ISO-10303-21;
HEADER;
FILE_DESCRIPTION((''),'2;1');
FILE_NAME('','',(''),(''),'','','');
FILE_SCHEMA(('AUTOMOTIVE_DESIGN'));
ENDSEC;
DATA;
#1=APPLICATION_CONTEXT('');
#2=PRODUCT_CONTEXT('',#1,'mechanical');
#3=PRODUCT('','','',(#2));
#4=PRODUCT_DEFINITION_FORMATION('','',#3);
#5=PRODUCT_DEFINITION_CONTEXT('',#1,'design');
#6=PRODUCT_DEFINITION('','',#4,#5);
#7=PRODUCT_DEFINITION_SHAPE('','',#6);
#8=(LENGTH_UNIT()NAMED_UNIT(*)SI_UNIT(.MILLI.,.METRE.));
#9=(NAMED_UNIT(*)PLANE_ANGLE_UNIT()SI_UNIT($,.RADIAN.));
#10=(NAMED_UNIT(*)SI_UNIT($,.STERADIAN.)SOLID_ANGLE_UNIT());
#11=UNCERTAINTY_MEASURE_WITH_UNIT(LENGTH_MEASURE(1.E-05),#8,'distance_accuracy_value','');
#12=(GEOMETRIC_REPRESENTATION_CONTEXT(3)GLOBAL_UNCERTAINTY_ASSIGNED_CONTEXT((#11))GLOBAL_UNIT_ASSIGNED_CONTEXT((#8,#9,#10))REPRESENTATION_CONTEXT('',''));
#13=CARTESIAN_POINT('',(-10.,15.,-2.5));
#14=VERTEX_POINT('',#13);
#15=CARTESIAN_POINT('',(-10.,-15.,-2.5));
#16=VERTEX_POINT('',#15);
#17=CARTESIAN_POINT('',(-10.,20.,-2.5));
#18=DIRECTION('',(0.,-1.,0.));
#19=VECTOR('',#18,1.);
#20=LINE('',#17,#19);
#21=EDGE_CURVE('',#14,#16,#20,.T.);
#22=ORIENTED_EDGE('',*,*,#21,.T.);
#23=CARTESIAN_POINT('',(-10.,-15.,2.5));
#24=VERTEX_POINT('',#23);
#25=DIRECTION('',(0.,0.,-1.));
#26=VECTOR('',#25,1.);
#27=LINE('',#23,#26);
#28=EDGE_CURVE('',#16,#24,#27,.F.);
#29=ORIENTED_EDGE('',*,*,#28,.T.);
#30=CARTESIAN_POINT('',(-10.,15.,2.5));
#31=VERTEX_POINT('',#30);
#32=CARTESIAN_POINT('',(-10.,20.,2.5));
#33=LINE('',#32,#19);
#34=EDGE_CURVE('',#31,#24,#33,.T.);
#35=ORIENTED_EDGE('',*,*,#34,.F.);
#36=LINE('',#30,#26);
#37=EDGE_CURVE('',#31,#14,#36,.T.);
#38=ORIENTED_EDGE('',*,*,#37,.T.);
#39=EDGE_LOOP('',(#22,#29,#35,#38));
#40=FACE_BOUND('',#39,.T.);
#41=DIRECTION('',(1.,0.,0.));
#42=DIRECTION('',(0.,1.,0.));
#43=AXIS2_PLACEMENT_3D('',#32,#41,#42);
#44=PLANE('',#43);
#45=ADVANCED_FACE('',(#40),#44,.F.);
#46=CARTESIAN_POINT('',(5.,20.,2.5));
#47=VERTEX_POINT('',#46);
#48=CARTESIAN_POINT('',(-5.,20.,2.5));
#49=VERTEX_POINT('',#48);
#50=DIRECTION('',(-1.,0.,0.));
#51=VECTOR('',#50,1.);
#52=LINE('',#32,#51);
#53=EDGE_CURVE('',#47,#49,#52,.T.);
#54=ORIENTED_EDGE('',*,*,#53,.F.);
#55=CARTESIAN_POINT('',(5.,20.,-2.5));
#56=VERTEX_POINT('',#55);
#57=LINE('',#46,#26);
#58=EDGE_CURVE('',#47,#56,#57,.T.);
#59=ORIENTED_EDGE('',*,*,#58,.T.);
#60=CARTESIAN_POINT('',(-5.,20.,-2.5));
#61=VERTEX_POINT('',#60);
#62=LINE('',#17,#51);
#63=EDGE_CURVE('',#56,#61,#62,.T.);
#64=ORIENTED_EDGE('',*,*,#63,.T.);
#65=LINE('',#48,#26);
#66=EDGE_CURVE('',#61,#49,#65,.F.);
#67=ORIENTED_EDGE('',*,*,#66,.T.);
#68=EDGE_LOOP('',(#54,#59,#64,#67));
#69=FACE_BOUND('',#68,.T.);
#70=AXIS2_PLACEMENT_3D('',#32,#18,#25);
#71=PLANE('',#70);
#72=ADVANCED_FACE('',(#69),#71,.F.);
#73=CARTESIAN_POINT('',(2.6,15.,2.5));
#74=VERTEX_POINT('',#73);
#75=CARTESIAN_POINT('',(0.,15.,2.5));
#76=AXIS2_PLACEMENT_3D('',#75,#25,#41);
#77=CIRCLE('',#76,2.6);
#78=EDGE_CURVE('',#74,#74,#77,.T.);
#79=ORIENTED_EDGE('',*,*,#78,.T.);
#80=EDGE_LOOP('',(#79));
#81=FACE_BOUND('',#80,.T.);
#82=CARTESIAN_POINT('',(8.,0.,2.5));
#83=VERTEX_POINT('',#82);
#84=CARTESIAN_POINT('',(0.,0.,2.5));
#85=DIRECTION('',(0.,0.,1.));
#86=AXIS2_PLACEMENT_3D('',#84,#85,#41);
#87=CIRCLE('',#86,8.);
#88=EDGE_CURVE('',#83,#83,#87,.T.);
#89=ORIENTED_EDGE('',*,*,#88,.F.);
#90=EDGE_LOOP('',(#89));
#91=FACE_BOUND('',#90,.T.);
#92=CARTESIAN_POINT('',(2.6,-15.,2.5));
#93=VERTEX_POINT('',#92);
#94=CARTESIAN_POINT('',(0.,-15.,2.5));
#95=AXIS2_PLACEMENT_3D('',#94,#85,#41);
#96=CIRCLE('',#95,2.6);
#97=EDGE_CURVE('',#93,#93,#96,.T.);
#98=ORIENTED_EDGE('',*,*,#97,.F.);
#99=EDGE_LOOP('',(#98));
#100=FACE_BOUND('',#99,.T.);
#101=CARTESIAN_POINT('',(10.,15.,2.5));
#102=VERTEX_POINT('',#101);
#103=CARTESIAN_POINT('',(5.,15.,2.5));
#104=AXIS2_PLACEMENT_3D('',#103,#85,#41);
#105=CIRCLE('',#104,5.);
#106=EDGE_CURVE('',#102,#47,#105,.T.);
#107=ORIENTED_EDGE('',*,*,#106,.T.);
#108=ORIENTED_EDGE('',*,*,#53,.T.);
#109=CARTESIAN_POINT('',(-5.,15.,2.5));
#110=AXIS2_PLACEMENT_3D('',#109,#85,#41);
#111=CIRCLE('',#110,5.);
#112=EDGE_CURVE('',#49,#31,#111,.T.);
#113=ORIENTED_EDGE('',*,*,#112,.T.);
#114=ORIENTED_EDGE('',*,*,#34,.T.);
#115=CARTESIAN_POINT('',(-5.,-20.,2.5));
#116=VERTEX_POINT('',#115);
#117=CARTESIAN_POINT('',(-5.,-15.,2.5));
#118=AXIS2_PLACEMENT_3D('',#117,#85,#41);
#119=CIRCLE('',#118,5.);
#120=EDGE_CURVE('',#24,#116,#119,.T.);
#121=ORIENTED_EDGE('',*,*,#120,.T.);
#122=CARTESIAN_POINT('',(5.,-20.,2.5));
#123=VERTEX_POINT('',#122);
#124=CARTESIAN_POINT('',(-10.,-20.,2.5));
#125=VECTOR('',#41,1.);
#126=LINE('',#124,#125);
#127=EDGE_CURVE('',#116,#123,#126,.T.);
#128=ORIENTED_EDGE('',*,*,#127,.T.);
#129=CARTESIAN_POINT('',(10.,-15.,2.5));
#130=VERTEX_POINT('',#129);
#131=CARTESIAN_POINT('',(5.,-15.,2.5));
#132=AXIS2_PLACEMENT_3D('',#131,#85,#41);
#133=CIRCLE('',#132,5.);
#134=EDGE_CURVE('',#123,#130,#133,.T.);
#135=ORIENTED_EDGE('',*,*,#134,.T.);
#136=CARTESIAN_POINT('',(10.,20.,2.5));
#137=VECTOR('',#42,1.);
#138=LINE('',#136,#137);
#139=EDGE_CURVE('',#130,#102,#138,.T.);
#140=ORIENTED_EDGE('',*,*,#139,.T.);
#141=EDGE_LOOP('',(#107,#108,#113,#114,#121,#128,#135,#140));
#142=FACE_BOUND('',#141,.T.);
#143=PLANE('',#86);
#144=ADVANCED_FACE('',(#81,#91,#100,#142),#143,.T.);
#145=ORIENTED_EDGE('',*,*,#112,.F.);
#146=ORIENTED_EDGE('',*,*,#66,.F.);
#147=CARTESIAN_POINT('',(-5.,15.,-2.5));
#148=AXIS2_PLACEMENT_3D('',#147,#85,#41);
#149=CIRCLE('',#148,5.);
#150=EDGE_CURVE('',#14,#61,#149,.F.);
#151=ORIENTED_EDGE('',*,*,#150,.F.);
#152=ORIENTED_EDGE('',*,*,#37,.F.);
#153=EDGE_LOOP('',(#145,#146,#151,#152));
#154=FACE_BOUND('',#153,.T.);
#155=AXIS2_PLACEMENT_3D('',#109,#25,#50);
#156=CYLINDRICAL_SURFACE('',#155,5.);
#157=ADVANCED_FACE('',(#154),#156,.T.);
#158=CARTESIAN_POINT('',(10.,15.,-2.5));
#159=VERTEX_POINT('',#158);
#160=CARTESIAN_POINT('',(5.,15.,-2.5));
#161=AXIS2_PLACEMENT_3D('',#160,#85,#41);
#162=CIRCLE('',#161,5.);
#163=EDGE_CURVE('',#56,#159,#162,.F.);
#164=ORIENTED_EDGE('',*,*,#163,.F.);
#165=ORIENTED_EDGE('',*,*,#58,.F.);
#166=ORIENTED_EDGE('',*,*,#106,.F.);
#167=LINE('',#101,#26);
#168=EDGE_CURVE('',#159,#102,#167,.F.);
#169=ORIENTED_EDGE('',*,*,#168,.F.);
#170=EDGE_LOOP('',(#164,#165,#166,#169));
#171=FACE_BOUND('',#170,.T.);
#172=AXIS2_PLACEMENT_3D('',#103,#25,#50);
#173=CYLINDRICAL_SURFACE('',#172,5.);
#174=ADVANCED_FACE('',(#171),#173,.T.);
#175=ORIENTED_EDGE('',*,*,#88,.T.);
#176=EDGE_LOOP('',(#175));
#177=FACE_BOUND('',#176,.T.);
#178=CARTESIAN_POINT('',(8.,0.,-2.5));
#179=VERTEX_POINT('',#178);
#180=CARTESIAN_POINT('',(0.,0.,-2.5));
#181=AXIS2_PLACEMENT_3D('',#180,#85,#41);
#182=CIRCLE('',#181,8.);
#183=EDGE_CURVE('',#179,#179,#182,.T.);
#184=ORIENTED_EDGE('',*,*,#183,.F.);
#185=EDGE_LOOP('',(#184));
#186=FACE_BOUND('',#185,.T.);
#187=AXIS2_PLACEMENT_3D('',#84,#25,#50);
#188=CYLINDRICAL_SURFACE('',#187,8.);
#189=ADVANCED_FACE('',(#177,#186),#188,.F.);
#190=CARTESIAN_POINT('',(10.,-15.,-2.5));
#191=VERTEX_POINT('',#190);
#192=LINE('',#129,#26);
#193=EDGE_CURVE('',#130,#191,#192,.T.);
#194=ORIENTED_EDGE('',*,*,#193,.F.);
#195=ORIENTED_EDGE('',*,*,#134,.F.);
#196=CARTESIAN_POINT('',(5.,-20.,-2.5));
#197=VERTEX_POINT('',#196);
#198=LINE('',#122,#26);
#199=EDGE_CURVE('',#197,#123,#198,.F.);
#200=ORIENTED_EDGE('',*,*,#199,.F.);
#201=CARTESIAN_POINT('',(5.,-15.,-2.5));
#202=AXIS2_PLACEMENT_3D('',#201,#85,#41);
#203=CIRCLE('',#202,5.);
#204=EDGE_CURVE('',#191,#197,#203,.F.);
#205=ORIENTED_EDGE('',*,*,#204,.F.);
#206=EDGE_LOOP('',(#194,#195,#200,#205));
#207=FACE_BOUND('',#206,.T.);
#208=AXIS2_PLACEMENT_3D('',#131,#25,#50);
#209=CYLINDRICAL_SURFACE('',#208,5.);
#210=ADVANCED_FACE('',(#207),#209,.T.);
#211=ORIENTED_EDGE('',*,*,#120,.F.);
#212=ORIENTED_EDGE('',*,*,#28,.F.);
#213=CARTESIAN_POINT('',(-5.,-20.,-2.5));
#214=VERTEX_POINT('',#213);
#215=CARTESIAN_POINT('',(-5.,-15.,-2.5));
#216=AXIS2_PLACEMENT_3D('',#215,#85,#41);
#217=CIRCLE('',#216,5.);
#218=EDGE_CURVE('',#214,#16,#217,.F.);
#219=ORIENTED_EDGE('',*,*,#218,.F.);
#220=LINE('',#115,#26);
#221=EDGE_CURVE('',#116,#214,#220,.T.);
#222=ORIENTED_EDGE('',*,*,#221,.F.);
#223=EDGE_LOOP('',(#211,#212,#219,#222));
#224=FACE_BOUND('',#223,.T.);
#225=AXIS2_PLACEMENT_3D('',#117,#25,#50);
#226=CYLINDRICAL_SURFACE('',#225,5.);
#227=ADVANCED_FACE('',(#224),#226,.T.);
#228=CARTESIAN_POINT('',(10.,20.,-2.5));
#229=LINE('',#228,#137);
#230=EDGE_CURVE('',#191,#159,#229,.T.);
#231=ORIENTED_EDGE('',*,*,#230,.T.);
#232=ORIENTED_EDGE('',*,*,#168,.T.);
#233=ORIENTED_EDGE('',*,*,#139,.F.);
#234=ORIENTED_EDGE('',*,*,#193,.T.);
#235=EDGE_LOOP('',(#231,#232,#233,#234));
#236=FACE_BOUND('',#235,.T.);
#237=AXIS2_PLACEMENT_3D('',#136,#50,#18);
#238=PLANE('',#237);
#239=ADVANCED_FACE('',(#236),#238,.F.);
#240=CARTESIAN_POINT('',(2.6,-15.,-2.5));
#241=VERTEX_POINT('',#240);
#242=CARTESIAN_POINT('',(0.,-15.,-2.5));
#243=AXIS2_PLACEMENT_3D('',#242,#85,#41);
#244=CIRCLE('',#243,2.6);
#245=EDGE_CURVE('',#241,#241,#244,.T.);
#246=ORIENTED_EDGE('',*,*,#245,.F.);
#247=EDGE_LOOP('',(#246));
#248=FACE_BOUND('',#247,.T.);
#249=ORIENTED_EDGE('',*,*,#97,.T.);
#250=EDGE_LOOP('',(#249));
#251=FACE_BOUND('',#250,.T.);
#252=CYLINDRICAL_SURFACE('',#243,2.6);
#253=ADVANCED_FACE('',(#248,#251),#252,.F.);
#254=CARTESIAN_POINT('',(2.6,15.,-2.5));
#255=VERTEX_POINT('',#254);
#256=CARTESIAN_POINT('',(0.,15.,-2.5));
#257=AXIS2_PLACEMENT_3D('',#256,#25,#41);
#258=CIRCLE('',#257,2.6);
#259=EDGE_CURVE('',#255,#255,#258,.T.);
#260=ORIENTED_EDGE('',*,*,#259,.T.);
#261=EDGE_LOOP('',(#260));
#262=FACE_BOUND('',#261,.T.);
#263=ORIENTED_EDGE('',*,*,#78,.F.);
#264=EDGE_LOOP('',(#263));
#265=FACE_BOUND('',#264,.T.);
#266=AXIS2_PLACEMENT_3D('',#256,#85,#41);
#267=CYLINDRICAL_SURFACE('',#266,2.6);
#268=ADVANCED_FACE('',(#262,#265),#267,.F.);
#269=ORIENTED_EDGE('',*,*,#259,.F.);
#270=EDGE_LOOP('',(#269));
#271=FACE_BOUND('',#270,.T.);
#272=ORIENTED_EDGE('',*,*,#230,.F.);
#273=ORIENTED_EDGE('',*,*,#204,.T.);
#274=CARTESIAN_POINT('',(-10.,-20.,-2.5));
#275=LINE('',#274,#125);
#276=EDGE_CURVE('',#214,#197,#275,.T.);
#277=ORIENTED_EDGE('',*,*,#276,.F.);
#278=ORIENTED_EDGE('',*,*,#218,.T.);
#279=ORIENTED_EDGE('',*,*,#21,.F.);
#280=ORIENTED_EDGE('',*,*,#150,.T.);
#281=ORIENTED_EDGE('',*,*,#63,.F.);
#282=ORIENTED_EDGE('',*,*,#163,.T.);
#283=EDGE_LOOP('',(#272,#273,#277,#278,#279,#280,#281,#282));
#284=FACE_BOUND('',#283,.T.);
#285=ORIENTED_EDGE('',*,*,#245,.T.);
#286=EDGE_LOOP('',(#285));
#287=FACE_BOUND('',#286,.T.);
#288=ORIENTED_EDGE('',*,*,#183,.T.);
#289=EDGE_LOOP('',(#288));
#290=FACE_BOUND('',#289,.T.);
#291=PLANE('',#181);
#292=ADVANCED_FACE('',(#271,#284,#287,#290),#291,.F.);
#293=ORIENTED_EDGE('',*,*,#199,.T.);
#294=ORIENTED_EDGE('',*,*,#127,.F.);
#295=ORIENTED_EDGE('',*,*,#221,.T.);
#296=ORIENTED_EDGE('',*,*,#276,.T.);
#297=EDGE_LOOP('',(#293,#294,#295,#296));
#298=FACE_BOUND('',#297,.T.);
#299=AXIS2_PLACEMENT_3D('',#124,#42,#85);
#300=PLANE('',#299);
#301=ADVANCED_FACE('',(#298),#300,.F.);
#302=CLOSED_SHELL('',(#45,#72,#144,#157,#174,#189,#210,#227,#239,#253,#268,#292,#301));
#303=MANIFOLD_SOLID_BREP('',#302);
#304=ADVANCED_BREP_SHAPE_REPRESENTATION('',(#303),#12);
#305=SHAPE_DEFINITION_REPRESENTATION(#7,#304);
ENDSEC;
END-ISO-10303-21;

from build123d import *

# Parameters (mm, degrees)
ESBO_O1_W                = 20
ESBO_O1_H                = 40
ESBO_O1_R                = 8
RESSALTO_EXTRUS_O1_DEPTH = 2.5
ESBO_O2_R                = 2.6
CORTE_EXTRUS_O1_DEPTH    = 23.912878475
FILETE1_R                = 5


with BuildPart() as part:
    # Esboço1 → Ressalto-extrusão1 (new, symmetric)
    with BuildSketch(Plane.XY):
        Rectangle(ESBO_O1_W, ESBO_O1_H)
        Circle(ESBO_O1_R, mode=Mode.SUBTRACT)
    extrude(amount=RESSALTO_EXTRUS_O1_DEPTH, both=True)

    # Esboço2 → Corte-extrusão1 (cut, through all)
    with BuildSketch(Plane.XY.offset(2.5)):
        with Locations((0, -15)):
            Circle(ESBO_O2_R)
    corte_extrus_o1 = extrude(amount=-CORTE_EXTRUS_O1_DEPTH, mode=Mode.SUBTRACT)

    # Espelhar1: Corte-extrusão1 across plane
    add(corte_extrus_o1.mirror(Plane.ZX), mode=Mode.SUBTRACT)

    # Filete1
    filete1_edges = [part.edges().sort_by_distance(p)[0] for p in [
        (10, -20, 0),
        (-10, -20, 0),
        (-10, 20, 0),
        (10, 20, 0),
    ]]
    fillet(filete1_edges, radius=FILETE1_R)


solid = part.part
